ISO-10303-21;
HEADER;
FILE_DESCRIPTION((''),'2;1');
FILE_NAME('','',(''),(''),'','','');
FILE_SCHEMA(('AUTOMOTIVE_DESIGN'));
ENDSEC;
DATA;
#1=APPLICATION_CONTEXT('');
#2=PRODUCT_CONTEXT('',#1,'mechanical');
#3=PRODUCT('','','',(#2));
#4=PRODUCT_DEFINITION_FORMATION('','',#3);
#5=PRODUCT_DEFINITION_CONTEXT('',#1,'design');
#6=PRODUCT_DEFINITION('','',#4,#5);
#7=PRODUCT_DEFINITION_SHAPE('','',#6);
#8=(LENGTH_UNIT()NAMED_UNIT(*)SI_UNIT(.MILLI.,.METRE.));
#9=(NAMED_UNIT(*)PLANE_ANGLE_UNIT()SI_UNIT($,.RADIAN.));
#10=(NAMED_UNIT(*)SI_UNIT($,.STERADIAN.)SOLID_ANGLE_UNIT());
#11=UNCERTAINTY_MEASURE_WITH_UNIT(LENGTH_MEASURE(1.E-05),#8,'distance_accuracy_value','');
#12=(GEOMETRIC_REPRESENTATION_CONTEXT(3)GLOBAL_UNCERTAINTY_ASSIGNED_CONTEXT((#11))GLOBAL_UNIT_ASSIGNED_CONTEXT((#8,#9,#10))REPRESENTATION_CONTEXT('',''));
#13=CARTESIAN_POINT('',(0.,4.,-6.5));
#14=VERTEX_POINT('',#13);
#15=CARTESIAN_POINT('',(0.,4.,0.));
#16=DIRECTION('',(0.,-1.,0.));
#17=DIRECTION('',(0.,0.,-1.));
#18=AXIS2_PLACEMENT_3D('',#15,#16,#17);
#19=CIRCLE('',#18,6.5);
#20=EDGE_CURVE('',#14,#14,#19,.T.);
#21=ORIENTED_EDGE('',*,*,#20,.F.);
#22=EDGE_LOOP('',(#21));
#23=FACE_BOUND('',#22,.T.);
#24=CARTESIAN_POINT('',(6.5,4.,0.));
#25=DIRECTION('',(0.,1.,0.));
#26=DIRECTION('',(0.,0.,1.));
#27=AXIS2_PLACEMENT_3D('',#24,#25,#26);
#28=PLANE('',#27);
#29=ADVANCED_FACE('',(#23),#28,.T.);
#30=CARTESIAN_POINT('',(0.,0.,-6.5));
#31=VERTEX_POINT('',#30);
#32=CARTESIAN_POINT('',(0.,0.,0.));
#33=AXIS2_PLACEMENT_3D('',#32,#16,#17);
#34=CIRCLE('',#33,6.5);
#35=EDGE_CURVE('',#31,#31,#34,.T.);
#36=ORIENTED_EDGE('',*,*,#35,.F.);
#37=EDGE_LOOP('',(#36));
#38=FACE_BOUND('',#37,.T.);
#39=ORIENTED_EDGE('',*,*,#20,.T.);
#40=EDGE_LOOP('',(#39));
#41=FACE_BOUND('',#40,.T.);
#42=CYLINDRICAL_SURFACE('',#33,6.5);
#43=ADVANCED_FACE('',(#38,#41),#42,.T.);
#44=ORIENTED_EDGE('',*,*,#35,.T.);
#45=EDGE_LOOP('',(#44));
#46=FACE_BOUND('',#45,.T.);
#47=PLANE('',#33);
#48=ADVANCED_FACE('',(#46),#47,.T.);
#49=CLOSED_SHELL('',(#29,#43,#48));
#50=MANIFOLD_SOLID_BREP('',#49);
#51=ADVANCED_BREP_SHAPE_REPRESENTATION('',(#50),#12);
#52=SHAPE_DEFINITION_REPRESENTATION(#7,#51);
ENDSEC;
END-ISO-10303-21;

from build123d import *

# Parameters (mm, degrees)
SKETCH_1_W = 6.5
SKETCH_1_H = 4


with BuildPart() as part:
    # 草图1 → Revolve 2 (revolve)
    with BuildSketch(Plane.XY, mode=Mode.PRIVATE) as revolve_2_sk:
        with Locations((3.25, 2)):
            Rectangle(SKETCH_1_W, SKETCH_1_H)
    revolve(revolve_2_sk.sketch.rotate(Axis((0, 0, 0), (0, 1, 0)), 90), axis=Axis((0, 0, 0), (0, 1, 0)))


solid = part.part
